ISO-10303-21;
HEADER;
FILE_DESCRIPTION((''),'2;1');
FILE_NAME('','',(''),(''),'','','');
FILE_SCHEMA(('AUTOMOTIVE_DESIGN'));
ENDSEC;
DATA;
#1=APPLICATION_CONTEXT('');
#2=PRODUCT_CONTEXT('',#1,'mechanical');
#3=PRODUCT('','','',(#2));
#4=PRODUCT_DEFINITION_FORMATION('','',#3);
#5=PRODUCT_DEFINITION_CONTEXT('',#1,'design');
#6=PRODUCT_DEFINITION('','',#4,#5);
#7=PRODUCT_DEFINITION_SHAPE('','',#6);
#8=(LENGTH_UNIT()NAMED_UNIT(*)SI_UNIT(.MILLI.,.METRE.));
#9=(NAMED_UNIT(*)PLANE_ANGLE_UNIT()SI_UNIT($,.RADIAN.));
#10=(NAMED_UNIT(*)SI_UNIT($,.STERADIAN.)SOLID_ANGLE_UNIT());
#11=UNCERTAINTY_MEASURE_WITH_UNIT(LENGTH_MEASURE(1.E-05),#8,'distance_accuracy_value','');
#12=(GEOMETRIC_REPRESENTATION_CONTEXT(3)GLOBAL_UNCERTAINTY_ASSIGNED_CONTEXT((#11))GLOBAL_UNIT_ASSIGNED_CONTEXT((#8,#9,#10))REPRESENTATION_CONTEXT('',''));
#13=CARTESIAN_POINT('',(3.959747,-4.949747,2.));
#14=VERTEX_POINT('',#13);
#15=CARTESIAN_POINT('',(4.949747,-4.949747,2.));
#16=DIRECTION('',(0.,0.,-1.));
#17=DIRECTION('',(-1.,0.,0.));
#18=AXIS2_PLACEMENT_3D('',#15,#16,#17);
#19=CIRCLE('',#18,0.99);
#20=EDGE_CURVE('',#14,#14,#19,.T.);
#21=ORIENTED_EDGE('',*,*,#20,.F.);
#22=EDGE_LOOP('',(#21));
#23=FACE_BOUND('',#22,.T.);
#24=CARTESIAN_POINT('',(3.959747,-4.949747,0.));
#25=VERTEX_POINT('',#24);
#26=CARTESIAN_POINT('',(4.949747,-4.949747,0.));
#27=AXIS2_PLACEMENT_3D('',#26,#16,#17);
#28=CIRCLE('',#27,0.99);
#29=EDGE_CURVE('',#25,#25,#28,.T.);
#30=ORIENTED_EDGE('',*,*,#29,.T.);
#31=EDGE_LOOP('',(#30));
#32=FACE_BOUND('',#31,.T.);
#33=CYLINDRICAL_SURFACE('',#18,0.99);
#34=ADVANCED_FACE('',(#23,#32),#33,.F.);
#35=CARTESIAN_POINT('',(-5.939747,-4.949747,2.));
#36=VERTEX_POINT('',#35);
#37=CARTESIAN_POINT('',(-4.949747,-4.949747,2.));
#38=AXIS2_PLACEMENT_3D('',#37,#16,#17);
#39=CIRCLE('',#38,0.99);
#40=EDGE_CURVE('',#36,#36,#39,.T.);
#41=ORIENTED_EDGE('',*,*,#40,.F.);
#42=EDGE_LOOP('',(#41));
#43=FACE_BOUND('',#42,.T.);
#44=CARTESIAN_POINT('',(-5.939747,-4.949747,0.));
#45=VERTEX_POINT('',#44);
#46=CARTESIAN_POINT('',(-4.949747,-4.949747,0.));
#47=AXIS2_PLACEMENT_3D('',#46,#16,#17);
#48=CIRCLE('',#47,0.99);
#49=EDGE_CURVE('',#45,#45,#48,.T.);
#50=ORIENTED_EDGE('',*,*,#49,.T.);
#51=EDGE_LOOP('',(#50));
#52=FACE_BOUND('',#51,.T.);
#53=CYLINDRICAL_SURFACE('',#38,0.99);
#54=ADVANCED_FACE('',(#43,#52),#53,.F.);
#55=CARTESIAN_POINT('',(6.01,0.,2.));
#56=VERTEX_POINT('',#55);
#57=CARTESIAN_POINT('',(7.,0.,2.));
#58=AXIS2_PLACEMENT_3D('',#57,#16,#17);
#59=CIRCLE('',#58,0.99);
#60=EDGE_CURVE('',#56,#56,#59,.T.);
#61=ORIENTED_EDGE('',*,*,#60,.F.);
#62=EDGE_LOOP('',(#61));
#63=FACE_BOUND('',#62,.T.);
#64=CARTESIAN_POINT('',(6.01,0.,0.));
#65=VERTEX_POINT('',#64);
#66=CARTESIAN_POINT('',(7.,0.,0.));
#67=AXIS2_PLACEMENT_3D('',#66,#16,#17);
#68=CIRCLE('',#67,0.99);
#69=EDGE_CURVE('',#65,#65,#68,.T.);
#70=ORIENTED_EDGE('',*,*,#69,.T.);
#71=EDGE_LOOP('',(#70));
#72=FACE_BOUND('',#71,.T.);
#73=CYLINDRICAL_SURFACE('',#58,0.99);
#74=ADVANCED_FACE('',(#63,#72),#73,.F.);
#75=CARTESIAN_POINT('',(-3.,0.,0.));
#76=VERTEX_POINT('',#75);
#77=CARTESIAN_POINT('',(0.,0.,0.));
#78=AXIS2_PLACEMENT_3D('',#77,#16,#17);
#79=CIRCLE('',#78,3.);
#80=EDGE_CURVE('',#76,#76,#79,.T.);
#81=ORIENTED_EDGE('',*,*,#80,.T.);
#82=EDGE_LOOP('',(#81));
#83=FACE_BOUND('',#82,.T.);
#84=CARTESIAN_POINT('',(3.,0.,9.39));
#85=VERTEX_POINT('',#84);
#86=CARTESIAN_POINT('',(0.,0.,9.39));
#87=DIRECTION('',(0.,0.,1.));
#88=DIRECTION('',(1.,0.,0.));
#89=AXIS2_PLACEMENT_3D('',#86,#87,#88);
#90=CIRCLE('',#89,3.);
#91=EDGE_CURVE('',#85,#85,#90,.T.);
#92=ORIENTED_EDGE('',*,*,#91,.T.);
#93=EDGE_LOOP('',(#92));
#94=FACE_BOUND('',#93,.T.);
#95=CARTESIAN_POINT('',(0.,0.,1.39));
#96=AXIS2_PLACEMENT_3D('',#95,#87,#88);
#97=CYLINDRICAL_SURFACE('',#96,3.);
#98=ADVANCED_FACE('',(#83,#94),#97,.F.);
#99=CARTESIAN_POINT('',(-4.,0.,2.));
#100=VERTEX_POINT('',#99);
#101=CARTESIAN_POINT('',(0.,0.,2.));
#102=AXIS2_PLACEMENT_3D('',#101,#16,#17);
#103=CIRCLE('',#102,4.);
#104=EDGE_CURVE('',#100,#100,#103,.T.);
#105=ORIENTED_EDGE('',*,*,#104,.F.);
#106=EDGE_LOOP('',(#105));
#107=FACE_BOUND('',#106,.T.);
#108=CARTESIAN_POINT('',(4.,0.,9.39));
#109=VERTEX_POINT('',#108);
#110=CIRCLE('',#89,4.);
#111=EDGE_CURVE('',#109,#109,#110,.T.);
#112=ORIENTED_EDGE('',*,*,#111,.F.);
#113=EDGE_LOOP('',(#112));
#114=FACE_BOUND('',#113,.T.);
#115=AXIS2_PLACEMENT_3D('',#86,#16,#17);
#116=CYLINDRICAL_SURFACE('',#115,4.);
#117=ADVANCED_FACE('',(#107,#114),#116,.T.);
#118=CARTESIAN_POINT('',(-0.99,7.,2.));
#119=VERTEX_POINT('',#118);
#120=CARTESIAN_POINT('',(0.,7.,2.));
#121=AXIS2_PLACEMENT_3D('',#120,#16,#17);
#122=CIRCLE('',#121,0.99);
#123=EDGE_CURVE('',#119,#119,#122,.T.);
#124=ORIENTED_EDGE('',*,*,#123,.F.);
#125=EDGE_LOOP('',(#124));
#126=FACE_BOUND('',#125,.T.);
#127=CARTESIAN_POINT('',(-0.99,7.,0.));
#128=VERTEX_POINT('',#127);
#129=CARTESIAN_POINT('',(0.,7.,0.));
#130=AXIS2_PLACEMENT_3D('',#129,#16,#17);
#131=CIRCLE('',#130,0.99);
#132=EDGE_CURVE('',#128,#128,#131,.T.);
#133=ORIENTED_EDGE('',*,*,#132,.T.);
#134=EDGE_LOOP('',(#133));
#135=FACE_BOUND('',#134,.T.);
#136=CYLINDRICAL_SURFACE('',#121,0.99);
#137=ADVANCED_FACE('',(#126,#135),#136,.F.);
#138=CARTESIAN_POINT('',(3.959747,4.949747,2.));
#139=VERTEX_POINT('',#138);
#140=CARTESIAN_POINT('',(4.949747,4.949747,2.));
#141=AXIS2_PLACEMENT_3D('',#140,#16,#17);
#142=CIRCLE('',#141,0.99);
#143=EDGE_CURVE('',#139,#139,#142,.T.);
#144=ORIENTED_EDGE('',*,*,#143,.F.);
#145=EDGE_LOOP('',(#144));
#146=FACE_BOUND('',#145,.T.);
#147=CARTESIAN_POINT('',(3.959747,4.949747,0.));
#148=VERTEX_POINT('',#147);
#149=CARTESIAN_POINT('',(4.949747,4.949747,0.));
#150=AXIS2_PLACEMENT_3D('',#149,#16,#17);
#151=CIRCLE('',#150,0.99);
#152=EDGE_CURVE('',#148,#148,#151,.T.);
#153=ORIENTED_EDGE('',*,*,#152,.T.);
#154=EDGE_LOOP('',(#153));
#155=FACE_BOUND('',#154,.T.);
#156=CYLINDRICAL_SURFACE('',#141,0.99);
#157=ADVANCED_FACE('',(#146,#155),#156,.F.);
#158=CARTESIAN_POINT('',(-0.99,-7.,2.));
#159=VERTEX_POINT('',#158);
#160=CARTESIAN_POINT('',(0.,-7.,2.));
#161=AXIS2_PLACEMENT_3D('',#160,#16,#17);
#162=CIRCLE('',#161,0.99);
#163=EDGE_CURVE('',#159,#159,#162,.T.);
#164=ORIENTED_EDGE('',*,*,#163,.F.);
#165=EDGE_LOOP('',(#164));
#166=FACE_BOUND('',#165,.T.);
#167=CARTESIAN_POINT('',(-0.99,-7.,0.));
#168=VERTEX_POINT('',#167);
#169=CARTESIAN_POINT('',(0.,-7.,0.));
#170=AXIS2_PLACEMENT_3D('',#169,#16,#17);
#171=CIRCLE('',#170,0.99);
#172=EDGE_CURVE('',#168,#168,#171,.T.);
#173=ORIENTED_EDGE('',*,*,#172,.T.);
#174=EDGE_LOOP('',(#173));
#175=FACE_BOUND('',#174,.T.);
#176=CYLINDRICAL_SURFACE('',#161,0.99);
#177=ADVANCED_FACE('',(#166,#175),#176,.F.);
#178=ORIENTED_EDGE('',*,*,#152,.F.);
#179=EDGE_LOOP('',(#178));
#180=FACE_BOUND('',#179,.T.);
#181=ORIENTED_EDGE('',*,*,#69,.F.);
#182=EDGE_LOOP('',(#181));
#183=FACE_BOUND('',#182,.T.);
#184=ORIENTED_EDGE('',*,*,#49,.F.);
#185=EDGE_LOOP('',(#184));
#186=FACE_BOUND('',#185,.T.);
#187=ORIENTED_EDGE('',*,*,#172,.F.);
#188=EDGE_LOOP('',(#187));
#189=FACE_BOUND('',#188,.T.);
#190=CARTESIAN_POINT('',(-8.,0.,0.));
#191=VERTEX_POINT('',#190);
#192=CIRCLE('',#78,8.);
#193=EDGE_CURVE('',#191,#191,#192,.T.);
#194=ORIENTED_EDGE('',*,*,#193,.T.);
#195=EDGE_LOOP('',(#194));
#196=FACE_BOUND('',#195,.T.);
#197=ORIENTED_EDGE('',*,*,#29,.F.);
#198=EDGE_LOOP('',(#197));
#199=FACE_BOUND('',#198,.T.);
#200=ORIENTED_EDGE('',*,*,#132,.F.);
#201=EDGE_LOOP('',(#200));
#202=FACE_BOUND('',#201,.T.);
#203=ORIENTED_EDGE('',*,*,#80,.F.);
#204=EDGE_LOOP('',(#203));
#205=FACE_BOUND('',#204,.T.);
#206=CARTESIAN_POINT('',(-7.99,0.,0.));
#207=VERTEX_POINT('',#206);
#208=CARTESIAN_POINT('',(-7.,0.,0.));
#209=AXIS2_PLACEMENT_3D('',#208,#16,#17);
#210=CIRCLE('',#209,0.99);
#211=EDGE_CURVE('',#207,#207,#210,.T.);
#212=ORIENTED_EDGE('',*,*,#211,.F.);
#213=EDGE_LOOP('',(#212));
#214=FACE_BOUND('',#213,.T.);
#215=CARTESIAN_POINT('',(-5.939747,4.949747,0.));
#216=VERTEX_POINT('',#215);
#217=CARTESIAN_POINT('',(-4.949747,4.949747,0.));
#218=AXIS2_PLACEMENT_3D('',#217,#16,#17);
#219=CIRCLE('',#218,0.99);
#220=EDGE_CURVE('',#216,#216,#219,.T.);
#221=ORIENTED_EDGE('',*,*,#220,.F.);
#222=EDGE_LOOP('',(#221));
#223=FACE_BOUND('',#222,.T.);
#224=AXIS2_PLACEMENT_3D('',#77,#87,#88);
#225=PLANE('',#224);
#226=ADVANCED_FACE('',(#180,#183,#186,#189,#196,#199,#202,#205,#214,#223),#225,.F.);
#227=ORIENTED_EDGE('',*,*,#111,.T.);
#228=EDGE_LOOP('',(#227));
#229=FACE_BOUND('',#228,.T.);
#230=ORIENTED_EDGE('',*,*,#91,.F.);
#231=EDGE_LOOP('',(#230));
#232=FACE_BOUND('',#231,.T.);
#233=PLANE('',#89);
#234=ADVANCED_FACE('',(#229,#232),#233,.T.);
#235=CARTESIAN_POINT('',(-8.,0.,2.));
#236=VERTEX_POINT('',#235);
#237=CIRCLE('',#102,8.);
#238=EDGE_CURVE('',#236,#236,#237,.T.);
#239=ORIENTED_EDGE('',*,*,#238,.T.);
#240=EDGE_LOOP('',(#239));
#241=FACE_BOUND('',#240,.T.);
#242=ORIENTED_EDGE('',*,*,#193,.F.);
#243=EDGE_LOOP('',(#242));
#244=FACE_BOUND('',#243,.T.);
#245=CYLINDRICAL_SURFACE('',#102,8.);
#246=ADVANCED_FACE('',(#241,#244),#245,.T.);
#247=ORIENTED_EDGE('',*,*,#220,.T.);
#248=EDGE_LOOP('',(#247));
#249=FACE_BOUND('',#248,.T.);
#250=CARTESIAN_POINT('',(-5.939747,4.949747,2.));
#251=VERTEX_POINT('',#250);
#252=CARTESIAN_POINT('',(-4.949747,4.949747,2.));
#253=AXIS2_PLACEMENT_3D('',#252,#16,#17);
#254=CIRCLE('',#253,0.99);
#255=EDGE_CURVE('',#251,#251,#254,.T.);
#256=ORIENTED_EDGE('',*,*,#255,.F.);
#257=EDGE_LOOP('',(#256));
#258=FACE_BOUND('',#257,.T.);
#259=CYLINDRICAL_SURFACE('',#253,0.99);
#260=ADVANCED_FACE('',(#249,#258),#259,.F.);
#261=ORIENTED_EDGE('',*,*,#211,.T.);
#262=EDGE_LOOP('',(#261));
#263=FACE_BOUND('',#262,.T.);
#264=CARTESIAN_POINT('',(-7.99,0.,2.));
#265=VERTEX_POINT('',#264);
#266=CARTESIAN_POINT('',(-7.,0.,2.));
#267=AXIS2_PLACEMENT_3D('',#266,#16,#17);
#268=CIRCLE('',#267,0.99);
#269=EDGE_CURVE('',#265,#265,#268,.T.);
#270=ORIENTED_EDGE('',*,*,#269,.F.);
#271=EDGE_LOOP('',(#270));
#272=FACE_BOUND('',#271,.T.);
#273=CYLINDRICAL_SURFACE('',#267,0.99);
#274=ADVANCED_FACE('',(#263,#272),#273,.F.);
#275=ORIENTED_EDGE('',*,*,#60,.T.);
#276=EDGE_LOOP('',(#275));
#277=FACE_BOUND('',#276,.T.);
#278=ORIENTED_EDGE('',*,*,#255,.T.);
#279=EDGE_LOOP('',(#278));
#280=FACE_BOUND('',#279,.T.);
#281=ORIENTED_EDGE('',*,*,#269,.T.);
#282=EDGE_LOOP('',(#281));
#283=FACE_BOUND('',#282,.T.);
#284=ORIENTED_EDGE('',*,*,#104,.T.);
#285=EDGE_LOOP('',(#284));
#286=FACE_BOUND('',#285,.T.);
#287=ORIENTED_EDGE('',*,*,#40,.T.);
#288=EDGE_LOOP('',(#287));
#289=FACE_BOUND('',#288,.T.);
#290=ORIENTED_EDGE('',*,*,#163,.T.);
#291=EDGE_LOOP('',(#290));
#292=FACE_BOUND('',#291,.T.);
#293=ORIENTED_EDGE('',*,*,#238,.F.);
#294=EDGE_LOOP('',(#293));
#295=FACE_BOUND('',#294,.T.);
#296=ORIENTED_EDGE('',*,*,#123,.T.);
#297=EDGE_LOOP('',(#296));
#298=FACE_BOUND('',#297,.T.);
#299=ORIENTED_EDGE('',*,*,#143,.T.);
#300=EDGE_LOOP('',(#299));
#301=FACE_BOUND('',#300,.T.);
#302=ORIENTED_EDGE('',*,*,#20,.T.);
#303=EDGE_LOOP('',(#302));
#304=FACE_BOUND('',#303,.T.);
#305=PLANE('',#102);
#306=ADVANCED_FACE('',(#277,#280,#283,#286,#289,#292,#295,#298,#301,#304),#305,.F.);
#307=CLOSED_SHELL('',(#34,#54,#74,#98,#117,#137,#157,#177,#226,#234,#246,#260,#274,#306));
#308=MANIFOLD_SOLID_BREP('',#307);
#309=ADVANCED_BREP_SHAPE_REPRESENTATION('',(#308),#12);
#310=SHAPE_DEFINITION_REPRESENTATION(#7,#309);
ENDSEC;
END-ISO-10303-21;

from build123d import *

# Parameters (mm, degrees)
SKETCH_1_R          = 4
EXTRUDE_1_DEPTH     = 9.39
SKETCH_2_R          = 3
CUT_EXTRUDE_1_DEPTH = 8
CUT_EXTRUDE_START   = -8
SKETCH_3_R          = 3
CUT_EXTRUDE_3_DEPTH = 8
SKETCH_4_R          = 8
SKETCH_4_R_2        = 4
EXTRUDE_4_DEPTH     = 2
SKETCH_5_R          = 0.99
CUT_EXTRUDE_6_DEPTH = 2


with BuildPart() as part:
    # 草图1 → 凸台-拉伸1 (new body)
    with BuildSketch(Plane.XY):
        Circle(SKETCH_1_R)
    extrude(amount=EXTRUDE_1_DEPTH)

    # 草图2 → 切除-拉伸1 (cut)
    with BuildSketch(Plane.XY.offset(9.39)):
        Circle(SKETCH_2_R)
    extrude(amount=-CUT_EXTRUDE_1_DEPTH, mode=Mode.SUBTRACT)

    # 草图3 → 切除-拉伸3 (cut)
    with BuildSketch(Plane(origin=(0, 0, 0), x_dir=(-1, 0, 0), z_dir=(0, 0, -1)).offset(CUT_EXTRUDE_START)):
        with Locations(Location((0, 0, 0), (0, 0, 180))):
            Circle(SKETCH_3_R)
    extrude(amount=CUT_EXTRUDE_3_DEPTH, mode=Mode.SUBTRACT)

    # 草图4 → 凸台-拉伸4 (add)
    with BuildSketch(Plane(origin=(0, 0, 0), x_dir=(-1, 0, 0), z_dir=(0, 0, -1))):
        Circle(SKETCH_4_R)
        Circle(SKETCH_4_R_2, mode=Mode.SUBTRACT)
    extrude(amount=-EXTRUDE_4_DEPTH)

    # 草图5 → 切除-拉伸6 (cut)
    with BuildSketch(Plane(origin=(0, 0, 0), x_dir=(-1, 0, 0), z_dir=(0, 0, -1))):
        with Locations((7, 0)):
            Circle(SKETCH_5_R)
        with Locations((4.949747468, -4.949747468)):
            Circle(SKETCH_5_R)
        with Locations((0, -7)):
            Circle(SKETCH_5_R)
        with Locations((-4.949747468, -4.949747468)):
            Circle(SKETCH_5_R)
        with Locations((-7, 0)):
            Circle(SKETCH_5_R)
        with Locations((-4.949747468, 4.949747468)):
            Circle(SKETCH_5_R)
        with Locations((0, 7)):
            Circle(SKETCH_5_R)
        with Locations((4.949747468, 4.949747468)):
            Circle(SKETCH_5_R)
    extrude(amount=-CUT_EXTRUDE_6_DEPTH, mode=Mode.SUBTRACT)


solid = part.part
